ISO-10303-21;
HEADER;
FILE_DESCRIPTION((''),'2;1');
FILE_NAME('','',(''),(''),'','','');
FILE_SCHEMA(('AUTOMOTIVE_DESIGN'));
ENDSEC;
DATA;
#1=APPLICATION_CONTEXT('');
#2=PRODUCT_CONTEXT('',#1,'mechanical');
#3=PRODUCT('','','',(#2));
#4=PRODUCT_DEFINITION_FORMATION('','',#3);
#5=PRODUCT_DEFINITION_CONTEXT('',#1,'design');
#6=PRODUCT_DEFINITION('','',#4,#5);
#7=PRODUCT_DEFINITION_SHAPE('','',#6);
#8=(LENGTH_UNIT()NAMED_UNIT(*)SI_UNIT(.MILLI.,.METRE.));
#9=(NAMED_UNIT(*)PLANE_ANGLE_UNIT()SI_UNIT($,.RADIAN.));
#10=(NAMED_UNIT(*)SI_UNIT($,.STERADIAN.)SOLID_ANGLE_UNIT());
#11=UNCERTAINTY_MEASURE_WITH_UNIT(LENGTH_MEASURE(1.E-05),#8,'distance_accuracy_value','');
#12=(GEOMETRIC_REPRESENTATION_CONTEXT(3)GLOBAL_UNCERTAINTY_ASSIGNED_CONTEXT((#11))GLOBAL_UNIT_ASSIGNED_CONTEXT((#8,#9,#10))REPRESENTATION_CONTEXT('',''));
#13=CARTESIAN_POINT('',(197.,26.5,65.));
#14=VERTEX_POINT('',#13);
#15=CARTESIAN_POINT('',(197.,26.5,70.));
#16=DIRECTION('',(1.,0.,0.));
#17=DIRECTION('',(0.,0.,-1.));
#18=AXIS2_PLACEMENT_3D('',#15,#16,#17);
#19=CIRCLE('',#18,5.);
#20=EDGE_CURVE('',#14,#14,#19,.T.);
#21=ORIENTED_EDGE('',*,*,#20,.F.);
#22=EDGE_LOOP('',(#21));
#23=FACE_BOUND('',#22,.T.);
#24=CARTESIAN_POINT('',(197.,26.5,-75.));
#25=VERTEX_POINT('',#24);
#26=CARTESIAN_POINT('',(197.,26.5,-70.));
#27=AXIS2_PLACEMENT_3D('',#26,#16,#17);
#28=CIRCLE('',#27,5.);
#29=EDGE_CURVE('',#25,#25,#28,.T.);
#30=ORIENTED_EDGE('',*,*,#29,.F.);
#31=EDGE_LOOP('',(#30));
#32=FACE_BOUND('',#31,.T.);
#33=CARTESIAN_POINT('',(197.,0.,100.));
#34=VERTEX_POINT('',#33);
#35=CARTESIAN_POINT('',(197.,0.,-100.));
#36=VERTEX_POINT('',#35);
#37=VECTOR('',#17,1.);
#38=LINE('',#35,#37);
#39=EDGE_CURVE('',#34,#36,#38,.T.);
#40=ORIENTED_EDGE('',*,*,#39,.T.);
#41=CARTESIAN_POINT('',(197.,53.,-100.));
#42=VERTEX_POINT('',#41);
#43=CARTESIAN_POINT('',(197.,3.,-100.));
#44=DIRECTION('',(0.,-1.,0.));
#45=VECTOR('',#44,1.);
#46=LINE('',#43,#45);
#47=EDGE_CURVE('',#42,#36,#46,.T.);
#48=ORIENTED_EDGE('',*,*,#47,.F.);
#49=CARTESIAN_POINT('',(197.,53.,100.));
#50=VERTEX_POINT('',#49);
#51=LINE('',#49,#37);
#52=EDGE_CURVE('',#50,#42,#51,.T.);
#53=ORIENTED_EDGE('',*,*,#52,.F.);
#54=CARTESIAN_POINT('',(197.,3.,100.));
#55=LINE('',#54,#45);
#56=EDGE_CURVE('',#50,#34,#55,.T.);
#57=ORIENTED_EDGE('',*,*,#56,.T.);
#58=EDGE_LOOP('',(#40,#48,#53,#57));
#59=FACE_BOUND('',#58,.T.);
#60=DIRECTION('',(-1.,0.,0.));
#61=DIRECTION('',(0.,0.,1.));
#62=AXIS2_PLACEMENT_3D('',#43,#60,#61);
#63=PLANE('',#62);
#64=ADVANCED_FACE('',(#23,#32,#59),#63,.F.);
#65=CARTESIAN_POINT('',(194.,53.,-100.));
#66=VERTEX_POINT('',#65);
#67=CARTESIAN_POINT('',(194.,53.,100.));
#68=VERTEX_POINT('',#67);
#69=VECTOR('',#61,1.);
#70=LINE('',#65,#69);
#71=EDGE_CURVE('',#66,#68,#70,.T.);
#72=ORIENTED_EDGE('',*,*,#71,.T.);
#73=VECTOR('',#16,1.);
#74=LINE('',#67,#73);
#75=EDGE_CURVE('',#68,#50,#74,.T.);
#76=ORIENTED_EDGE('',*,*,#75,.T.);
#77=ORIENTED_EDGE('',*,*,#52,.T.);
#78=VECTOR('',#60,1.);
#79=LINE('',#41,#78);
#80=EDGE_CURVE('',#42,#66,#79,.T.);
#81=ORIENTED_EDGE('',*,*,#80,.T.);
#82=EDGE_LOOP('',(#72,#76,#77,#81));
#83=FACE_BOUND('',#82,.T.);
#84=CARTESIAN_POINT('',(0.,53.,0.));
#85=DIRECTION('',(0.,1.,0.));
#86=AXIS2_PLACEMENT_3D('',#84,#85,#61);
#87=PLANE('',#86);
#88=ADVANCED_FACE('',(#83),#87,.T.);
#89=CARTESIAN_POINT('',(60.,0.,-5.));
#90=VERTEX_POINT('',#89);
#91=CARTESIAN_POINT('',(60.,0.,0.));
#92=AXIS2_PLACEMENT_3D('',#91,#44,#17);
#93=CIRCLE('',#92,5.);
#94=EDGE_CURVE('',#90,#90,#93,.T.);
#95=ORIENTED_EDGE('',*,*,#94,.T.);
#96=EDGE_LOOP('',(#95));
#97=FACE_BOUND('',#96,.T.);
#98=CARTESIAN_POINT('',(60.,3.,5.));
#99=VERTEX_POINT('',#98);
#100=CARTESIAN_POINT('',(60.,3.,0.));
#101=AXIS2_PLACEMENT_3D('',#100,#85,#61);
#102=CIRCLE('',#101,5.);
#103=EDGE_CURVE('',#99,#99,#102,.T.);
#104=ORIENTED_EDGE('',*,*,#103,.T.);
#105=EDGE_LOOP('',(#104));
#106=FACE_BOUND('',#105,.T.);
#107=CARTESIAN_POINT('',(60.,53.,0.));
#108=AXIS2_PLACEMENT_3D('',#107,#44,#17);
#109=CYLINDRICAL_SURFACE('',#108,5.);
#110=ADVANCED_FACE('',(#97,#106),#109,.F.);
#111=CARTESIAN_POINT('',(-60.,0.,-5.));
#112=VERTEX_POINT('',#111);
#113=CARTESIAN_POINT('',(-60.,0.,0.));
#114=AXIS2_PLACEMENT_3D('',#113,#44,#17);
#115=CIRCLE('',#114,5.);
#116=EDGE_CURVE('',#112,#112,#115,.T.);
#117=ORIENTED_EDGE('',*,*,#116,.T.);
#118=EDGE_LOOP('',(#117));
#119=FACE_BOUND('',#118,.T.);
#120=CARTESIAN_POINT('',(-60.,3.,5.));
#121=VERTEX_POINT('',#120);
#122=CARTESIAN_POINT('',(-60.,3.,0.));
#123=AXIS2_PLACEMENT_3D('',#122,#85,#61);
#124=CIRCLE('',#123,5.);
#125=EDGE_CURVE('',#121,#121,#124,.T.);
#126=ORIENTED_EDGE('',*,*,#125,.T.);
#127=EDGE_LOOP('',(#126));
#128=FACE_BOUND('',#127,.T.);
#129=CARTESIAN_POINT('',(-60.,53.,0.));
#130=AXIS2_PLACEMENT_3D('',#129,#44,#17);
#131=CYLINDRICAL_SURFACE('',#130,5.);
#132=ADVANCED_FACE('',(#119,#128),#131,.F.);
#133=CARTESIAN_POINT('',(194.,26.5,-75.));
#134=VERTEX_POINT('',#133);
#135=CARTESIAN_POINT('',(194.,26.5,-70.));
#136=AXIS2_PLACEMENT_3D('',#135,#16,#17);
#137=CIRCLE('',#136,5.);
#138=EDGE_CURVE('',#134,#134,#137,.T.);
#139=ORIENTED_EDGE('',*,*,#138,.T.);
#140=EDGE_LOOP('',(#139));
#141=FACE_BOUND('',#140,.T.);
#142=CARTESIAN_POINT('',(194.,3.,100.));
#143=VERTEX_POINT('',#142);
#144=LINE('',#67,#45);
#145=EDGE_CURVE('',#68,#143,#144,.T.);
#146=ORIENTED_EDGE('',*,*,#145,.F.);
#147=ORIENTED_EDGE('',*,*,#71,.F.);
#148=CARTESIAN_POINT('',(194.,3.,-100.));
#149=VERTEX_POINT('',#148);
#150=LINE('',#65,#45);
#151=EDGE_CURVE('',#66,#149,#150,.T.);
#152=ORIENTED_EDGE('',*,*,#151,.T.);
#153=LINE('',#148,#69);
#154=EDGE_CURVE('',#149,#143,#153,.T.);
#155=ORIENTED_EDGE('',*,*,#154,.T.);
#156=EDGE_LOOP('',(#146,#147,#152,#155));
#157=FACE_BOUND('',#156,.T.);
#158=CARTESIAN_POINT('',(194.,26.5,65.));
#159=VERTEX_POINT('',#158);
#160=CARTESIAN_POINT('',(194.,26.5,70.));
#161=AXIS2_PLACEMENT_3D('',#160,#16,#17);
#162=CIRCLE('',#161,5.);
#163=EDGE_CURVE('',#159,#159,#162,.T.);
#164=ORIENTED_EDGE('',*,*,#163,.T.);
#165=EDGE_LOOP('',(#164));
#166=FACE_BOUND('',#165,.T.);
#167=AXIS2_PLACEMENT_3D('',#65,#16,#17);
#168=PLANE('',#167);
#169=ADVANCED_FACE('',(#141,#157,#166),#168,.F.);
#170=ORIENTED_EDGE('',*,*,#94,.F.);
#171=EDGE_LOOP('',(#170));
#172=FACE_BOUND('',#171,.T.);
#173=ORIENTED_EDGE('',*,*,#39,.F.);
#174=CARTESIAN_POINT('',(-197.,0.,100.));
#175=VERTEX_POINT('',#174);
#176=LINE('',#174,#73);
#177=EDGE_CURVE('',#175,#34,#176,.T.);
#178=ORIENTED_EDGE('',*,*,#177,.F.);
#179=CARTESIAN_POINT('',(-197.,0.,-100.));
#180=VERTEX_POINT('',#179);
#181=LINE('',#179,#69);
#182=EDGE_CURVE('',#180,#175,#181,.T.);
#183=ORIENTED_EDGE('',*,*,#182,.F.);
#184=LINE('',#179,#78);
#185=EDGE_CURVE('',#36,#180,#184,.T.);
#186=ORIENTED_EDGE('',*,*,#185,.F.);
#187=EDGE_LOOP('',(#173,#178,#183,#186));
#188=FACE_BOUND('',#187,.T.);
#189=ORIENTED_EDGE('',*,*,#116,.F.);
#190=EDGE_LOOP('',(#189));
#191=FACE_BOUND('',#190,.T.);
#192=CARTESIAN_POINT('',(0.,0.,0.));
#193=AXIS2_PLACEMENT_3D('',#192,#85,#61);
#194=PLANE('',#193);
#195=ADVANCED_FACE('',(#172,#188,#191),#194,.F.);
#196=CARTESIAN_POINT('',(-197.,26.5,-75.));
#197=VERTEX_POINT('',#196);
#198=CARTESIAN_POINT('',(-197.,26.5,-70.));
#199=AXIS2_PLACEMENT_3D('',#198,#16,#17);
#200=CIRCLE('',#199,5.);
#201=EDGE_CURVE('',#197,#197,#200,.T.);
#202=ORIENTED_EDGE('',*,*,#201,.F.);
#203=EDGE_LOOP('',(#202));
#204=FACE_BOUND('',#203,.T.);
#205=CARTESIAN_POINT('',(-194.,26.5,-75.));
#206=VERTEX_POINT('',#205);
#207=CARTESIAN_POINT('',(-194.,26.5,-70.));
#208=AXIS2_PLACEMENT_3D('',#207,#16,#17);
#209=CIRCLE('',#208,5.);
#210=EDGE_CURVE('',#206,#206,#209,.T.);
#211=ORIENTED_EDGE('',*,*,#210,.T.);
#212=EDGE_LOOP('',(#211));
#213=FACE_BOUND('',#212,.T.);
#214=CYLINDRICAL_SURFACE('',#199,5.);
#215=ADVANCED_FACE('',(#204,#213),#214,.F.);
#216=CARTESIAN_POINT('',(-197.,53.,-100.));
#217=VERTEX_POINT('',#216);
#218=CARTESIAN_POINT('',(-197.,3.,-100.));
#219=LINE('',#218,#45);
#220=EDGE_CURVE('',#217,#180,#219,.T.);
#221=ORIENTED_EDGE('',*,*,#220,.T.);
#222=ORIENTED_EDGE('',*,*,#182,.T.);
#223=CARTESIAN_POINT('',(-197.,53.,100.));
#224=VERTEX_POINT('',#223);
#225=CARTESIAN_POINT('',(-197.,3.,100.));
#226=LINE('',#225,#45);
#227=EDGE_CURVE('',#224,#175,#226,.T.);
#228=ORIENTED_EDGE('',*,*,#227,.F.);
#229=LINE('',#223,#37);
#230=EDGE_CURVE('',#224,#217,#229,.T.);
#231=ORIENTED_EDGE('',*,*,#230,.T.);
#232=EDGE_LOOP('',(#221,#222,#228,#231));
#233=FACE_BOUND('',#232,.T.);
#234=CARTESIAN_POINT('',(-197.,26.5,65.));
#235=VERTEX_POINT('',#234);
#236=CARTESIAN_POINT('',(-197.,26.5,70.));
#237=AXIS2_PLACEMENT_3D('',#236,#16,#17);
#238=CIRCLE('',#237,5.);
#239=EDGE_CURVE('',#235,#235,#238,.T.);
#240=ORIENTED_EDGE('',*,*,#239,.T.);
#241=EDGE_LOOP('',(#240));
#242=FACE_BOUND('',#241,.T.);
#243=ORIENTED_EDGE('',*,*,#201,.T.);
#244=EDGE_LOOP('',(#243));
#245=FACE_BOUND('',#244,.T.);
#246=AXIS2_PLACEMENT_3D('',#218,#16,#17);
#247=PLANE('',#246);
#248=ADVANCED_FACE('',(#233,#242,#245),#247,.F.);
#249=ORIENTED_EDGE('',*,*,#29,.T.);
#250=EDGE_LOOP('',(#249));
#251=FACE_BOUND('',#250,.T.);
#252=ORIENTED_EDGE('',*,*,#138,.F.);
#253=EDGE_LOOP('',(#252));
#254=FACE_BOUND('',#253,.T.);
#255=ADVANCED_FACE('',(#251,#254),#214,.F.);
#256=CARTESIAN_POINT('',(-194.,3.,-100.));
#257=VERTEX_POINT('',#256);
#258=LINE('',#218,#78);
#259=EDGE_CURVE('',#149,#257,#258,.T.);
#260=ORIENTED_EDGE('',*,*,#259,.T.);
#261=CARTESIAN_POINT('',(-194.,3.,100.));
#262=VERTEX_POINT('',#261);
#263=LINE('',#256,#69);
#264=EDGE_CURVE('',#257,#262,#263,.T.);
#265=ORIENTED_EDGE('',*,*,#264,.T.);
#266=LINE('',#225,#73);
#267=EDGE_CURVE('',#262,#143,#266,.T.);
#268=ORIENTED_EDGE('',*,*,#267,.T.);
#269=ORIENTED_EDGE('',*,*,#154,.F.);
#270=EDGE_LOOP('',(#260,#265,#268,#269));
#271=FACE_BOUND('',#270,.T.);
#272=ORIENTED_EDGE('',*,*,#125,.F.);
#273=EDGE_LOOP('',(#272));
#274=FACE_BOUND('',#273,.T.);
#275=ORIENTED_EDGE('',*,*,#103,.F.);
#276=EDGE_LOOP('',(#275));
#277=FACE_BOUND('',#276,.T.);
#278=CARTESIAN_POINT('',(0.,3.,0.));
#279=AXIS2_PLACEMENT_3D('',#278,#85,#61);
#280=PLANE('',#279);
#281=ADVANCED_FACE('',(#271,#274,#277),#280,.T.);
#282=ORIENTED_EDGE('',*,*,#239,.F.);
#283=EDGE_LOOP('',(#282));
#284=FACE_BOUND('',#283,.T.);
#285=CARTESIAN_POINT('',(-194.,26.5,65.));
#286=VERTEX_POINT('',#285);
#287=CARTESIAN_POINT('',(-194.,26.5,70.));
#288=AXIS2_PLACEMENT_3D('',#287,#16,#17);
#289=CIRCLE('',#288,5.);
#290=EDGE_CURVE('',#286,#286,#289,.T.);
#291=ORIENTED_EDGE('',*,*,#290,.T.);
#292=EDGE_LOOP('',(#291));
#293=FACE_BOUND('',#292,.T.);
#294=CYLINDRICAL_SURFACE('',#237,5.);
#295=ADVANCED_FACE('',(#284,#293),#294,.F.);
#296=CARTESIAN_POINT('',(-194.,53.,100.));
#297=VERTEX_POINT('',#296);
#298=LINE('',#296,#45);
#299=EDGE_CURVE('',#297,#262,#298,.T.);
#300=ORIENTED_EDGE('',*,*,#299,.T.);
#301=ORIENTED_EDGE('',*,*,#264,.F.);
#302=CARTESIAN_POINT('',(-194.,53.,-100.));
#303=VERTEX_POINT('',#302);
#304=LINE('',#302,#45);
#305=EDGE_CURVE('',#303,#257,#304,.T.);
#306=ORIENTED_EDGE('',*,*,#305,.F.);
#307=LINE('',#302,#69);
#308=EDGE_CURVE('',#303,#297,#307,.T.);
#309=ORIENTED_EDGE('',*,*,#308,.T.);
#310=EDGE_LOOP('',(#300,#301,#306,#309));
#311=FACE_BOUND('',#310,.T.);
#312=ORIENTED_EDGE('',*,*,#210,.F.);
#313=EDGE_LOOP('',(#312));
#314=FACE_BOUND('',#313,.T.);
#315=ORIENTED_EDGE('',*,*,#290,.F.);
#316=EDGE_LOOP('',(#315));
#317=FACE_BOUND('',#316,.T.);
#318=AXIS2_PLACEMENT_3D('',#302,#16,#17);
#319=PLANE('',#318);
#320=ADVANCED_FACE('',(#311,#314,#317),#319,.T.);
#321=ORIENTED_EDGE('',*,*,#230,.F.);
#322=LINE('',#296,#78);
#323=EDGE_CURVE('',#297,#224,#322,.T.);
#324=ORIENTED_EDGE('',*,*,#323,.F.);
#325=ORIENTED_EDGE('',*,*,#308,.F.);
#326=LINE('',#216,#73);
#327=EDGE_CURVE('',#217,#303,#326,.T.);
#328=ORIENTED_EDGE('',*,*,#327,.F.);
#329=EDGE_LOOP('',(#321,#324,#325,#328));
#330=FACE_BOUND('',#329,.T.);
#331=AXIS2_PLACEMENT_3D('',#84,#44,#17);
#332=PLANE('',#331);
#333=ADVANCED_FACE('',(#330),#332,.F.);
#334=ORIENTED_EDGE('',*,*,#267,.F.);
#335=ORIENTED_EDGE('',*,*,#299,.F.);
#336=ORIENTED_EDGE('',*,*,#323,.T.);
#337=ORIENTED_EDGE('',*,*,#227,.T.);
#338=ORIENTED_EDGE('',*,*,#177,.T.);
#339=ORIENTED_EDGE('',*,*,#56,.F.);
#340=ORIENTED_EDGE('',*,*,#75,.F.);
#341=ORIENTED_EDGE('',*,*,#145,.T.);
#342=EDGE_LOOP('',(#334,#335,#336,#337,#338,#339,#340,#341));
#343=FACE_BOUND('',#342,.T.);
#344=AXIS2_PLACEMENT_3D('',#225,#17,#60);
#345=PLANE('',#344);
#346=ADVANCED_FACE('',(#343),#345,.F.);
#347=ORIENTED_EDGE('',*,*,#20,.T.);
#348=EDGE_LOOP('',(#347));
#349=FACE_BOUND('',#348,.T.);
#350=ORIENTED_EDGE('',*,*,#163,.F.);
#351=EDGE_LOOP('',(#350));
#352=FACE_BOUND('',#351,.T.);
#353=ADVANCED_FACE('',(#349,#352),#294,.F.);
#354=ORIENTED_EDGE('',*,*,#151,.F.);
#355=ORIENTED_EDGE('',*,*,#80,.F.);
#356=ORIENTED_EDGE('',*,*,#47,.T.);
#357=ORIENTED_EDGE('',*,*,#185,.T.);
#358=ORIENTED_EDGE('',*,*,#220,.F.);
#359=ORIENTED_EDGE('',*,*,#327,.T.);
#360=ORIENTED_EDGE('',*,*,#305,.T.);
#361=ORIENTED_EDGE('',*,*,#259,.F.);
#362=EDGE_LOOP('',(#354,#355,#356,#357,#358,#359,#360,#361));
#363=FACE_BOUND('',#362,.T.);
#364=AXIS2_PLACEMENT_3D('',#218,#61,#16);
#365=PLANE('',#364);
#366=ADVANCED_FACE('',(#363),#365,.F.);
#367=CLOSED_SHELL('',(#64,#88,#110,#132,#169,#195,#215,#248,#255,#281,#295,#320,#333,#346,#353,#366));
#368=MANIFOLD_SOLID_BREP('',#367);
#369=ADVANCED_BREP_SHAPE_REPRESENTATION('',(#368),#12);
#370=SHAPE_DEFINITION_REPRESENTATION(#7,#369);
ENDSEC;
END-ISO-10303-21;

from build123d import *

# Parameters (mm, degrees)
SKETCH1_W           = 394
SKETCH1_H           = 200
BOSS_EXTRUDE1_DEPTH = 3
SKETCH2_W           = 3
SKETCH2_H           = 200
BOSS_EXTRUDE2_DEPTH = 50
SKETCH3_R           = 5
CUT_EXTRUDE1_DEPTH  = 410.932921342
SKETCH4_R           = 5
CUT_EXTRUDE2_DEPTH  = 228.195950668


with BuildPart() as part:
    # Sketch1 → Boss-Extrude1 (new body)
    with BuildSketch(Plane(origin=(0, 0, 0), x_dir=(1, 0, 0), z_dir=(0, 1, 0))):
        Rectangle(SKETCH1_W, SKETCH1_H)
    extrude(amount=BOSS_EXTRUDE1_DEPTH)

    # Sketch2 → Boss-Extrude2 (add)
    with BuildSketch(Plane(origin=(0, 3, 0), x_dir=(1, 0, 0), z_dir=(0, 1, 0))):
        with Locations((-195.5, 0)):
            Rectangle(SKETCH2_W, SKETCH2_H)
        with Locations((195.5, 0)):
            Rectangle(SKETCH2_W, SKETCH2_H)
    extrude(amount=BOSS_EXTRUDE2_DEPTH)

    # Sketch3 → Cut-Extrude1 (cut, through all)
    with BuildSketch(Plane(origin=(197, 0, 0), x_dir=(0, 0, -1), z_dir=(1, 0, 0))):
        with Locations((70, 26.5)):
            Circle(SKETCH3_R)
        with Locations((-70, 26.5)):
            Circle(SKETCH3_R)
    extrude(amount=-CUT_EXTRUDE1_DEPTH, mode=Mode.SUBTRACT)

    # Sketch4 → Cut-Extrude2 (cut, through all)
    with BuildSketch(Plane.XZ):
        with Locations(Location((60, 0, 0), (0, 0, 270))):
            Circle(SKETCH4_R)
        with Locations(Location((-60, 0, 0), (0, 0, 270))):
            Circle(SKETCH4_R)
    extrude(amount=-CUT_EXTRUDE2_DEPTH, mode=Mode.SUBTRACT)


solid = part.part
